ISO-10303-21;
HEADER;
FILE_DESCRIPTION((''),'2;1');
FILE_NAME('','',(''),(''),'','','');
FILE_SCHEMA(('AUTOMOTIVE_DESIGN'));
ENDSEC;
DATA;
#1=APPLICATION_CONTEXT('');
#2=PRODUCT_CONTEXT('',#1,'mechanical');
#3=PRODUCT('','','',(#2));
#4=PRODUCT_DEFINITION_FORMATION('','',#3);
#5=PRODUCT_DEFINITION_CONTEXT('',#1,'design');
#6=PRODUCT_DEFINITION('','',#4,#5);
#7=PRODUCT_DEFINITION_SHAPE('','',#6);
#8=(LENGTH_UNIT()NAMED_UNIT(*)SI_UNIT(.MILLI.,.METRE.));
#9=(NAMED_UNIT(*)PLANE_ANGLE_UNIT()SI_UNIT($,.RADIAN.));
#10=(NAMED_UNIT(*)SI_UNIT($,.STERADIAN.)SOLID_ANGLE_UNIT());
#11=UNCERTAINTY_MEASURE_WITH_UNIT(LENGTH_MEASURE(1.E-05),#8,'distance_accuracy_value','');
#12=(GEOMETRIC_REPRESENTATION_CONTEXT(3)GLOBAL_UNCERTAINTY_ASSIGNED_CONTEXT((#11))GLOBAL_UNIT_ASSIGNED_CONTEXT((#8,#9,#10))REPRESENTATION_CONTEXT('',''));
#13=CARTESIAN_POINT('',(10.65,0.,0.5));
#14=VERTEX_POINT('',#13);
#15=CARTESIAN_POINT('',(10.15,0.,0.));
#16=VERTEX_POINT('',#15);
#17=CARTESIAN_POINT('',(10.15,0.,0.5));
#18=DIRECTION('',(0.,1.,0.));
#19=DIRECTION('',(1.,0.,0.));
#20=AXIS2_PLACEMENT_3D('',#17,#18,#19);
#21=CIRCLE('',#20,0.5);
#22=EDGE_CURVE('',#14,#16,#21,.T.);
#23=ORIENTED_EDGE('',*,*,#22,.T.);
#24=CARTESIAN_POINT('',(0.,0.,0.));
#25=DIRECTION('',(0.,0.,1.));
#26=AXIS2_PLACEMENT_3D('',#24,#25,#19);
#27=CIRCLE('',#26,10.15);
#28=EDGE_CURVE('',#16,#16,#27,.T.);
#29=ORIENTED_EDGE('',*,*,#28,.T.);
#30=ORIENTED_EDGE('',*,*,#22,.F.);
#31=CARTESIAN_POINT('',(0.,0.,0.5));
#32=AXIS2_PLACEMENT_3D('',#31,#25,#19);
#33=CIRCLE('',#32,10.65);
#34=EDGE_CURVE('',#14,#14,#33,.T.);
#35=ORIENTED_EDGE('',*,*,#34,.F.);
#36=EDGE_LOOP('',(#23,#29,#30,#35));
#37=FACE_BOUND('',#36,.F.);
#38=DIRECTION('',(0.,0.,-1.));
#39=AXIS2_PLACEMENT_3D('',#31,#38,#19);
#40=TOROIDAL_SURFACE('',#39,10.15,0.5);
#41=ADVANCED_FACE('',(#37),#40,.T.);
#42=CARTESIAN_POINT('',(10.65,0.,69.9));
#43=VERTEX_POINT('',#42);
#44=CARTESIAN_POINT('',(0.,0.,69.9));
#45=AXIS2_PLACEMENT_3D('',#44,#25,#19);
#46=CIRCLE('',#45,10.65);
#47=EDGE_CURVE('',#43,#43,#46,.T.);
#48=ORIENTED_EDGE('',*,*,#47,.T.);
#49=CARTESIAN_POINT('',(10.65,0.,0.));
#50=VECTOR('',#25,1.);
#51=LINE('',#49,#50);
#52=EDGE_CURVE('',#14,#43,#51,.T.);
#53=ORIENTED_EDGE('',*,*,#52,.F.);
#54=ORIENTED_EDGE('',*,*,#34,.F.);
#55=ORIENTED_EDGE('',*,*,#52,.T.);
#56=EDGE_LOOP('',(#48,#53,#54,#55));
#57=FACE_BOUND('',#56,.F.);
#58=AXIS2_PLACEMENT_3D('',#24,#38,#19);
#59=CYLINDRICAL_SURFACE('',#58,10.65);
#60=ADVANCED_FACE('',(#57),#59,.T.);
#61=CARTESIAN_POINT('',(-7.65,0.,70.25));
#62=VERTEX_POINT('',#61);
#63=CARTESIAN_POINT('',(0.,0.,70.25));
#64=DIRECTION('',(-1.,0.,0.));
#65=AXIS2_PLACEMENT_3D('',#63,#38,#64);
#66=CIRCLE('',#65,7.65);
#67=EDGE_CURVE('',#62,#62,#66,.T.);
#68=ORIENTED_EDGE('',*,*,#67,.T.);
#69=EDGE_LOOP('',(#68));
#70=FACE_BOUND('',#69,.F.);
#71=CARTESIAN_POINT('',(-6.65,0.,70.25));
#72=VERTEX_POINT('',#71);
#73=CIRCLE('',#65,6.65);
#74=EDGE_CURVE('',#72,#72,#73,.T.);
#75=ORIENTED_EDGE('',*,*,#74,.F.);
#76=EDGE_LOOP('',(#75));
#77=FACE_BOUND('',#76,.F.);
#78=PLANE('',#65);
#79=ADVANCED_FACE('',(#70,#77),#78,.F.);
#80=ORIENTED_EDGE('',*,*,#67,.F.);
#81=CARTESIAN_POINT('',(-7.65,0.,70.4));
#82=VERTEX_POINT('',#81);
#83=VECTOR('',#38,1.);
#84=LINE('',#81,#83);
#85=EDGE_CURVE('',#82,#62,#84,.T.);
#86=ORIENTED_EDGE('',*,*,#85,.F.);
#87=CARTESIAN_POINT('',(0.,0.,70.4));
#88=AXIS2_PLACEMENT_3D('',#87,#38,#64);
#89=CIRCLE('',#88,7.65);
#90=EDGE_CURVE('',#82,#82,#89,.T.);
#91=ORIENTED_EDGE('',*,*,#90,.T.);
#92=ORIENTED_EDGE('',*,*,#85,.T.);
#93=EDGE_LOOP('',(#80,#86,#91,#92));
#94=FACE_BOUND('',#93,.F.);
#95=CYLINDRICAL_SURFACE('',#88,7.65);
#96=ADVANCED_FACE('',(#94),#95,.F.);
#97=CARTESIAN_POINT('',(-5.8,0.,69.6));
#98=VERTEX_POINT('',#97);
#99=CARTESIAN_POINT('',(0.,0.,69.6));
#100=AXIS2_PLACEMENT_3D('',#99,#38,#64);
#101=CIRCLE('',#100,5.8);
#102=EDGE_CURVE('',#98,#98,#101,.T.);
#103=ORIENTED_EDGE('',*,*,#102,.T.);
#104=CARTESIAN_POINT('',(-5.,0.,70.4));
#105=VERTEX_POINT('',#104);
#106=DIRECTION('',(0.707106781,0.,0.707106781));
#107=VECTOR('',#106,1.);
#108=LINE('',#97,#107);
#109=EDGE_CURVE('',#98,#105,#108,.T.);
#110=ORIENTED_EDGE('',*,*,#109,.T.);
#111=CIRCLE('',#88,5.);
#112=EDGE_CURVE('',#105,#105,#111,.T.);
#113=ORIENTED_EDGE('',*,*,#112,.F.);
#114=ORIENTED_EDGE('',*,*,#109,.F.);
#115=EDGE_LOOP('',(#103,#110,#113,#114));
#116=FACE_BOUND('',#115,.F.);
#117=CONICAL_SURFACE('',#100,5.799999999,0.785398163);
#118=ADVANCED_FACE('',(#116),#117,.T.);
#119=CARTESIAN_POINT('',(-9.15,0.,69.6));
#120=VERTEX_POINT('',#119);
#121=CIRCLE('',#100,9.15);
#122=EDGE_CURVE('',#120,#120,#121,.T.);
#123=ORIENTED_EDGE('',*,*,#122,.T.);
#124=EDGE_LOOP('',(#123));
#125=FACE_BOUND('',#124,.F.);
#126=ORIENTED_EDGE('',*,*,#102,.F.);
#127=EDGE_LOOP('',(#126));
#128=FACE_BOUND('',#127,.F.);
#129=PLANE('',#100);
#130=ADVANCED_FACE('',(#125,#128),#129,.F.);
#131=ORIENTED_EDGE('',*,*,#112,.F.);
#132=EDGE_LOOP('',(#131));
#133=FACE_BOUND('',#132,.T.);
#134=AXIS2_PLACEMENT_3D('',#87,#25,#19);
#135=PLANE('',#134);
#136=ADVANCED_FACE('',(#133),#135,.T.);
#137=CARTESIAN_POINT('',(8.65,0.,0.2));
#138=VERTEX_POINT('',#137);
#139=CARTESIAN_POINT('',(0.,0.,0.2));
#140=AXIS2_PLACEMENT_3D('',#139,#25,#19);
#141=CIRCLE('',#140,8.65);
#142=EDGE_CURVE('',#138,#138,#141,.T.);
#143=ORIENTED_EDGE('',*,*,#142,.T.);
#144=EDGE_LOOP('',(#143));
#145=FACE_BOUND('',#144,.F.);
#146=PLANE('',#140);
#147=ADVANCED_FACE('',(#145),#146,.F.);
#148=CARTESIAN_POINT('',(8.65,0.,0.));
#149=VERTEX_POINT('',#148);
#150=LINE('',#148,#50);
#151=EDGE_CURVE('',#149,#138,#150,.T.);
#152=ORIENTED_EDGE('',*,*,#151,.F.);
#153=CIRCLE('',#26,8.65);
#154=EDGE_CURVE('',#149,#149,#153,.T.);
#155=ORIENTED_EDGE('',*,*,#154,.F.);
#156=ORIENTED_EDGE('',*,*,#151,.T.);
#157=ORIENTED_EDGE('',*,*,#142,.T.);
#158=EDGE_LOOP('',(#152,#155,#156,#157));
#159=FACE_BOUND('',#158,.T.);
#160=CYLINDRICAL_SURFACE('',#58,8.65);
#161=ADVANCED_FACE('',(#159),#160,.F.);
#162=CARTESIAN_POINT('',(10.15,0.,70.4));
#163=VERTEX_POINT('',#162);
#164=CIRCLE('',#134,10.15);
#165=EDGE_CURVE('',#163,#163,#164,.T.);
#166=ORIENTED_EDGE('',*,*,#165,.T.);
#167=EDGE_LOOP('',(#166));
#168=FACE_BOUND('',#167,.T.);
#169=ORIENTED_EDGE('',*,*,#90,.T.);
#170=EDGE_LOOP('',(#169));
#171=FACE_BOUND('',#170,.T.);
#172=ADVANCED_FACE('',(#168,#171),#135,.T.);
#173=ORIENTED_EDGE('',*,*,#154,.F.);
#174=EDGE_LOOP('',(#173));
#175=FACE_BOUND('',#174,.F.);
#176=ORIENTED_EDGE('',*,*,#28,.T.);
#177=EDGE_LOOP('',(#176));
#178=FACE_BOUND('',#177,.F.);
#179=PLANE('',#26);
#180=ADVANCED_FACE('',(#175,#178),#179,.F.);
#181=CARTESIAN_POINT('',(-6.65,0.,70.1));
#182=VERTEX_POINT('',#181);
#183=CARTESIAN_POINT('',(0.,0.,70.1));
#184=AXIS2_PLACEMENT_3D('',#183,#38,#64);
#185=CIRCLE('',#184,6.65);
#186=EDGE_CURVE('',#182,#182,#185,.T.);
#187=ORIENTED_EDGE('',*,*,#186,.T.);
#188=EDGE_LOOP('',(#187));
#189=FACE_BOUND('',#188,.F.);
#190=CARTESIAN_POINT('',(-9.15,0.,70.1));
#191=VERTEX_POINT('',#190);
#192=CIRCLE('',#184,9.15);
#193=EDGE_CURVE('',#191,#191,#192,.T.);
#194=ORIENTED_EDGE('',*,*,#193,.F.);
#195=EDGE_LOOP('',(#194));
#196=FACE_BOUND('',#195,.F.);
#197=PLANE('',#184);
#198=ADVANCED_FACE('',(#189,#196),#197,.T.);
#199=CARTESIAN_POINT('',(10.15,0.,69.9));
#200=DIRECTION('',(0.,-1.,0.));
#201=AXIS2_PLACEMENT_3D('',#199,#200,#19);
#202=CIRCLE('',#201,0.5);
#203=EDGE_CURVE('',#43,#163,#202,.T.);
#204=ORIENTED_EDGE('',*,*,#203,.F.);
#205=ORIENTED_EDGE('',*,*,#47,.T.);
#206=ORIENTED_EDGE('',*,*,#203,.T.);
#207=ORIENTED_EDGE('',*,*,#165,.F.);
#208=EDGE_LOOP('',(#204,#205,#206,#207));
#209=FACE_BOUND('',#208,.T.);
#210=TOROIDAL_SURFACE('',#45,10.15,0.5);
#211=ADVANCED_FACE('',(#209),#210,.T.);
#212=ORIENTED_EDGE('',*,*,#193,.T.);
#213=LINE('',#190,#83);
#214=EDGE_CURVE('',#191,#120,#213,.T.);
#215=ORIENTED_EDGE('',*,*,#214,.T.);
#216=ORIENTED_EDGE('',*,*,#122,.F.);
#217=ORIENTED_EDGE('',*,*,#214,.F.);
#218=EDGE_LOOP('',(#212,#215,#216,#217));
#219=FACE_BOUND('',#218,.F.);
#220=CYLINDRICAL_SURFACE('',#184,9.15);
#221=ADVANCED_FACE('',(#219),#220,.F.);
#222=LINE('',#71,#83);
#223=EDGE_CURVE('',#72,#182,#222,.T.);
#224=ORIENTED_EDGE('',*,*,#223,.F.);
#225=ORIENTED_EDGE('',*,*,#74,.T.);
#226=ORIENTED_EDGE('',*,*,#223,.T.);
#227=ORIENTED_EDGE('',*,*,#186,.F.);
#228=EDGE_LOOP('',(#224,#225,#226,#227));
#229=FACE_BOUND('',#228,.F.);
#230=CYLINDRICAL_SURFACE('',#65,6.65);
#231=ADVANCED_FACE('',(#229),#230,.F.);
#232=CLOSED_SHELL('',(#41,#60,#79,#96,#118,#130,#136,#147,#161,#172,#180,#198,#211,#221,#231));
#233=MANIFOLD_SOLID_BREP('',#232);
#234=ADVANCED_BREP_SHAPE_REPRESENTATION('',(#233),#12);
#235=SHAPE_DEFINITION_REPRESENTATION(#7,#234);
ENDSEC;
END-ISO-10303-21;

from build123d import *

# Parameters (mm, degrees)
SKETCH1_R           = 10.65
BOSS_EXTRUDE1_DEPTH = 70.4
SKETCH2_R           = 8.65
CUT_EXTRUDE1_DEPTH  = 0.2
FILLET1_R           = 0.5


with BuildPart() as part:
    # Sketch1 → Boss-Extrude1 (new body)
    with BuildSketch(Plane.XY):
        Circle(SKETCH1_R)
    extrude(amount=BOSS_EXTRUDE1_DEPTH)

    # Sketch2 → Cut-Extrude1 (cut)
    with BuildSketch(Plane.XY):
        Circle(SKETCH2_R)
    extrude(amount=CUT_EXTRUDE1_DEPTH, mode=Mode.SUBTRACT)

    # Sketch3 → Cut-Revolve1 (revolve, cut)
    with BuildSketch(Plane(origin=(0, 0, 0), x_dir=(1, 0, 0), z_dir=(0, 1, 0))):
        Polygon((-9.149999999, -70.1), (-9.149999999, -69.600000001), (-5.799999999, -69.600000001), (-5, -70.4), (-7.650000002, -70.4), (-7.650000002, -70.25), (-6.649999999, -70.25), (-6.649999999, -70.1), align=None)
    revolve(axis=Axis((0, 0, 70.4), (0, 0, -1)), mode=Mode.SUBTRACT)

    # Fillet1
    fillet1_edges = [part.edges().sort_by_distance(p)[0] for p in [
        (-10.65, 0, 0),
        (-10.65, 0, 70.4),
    ]]
    fillet(fillet1_edges, radius=FILLET1_R)


solid = part.part
